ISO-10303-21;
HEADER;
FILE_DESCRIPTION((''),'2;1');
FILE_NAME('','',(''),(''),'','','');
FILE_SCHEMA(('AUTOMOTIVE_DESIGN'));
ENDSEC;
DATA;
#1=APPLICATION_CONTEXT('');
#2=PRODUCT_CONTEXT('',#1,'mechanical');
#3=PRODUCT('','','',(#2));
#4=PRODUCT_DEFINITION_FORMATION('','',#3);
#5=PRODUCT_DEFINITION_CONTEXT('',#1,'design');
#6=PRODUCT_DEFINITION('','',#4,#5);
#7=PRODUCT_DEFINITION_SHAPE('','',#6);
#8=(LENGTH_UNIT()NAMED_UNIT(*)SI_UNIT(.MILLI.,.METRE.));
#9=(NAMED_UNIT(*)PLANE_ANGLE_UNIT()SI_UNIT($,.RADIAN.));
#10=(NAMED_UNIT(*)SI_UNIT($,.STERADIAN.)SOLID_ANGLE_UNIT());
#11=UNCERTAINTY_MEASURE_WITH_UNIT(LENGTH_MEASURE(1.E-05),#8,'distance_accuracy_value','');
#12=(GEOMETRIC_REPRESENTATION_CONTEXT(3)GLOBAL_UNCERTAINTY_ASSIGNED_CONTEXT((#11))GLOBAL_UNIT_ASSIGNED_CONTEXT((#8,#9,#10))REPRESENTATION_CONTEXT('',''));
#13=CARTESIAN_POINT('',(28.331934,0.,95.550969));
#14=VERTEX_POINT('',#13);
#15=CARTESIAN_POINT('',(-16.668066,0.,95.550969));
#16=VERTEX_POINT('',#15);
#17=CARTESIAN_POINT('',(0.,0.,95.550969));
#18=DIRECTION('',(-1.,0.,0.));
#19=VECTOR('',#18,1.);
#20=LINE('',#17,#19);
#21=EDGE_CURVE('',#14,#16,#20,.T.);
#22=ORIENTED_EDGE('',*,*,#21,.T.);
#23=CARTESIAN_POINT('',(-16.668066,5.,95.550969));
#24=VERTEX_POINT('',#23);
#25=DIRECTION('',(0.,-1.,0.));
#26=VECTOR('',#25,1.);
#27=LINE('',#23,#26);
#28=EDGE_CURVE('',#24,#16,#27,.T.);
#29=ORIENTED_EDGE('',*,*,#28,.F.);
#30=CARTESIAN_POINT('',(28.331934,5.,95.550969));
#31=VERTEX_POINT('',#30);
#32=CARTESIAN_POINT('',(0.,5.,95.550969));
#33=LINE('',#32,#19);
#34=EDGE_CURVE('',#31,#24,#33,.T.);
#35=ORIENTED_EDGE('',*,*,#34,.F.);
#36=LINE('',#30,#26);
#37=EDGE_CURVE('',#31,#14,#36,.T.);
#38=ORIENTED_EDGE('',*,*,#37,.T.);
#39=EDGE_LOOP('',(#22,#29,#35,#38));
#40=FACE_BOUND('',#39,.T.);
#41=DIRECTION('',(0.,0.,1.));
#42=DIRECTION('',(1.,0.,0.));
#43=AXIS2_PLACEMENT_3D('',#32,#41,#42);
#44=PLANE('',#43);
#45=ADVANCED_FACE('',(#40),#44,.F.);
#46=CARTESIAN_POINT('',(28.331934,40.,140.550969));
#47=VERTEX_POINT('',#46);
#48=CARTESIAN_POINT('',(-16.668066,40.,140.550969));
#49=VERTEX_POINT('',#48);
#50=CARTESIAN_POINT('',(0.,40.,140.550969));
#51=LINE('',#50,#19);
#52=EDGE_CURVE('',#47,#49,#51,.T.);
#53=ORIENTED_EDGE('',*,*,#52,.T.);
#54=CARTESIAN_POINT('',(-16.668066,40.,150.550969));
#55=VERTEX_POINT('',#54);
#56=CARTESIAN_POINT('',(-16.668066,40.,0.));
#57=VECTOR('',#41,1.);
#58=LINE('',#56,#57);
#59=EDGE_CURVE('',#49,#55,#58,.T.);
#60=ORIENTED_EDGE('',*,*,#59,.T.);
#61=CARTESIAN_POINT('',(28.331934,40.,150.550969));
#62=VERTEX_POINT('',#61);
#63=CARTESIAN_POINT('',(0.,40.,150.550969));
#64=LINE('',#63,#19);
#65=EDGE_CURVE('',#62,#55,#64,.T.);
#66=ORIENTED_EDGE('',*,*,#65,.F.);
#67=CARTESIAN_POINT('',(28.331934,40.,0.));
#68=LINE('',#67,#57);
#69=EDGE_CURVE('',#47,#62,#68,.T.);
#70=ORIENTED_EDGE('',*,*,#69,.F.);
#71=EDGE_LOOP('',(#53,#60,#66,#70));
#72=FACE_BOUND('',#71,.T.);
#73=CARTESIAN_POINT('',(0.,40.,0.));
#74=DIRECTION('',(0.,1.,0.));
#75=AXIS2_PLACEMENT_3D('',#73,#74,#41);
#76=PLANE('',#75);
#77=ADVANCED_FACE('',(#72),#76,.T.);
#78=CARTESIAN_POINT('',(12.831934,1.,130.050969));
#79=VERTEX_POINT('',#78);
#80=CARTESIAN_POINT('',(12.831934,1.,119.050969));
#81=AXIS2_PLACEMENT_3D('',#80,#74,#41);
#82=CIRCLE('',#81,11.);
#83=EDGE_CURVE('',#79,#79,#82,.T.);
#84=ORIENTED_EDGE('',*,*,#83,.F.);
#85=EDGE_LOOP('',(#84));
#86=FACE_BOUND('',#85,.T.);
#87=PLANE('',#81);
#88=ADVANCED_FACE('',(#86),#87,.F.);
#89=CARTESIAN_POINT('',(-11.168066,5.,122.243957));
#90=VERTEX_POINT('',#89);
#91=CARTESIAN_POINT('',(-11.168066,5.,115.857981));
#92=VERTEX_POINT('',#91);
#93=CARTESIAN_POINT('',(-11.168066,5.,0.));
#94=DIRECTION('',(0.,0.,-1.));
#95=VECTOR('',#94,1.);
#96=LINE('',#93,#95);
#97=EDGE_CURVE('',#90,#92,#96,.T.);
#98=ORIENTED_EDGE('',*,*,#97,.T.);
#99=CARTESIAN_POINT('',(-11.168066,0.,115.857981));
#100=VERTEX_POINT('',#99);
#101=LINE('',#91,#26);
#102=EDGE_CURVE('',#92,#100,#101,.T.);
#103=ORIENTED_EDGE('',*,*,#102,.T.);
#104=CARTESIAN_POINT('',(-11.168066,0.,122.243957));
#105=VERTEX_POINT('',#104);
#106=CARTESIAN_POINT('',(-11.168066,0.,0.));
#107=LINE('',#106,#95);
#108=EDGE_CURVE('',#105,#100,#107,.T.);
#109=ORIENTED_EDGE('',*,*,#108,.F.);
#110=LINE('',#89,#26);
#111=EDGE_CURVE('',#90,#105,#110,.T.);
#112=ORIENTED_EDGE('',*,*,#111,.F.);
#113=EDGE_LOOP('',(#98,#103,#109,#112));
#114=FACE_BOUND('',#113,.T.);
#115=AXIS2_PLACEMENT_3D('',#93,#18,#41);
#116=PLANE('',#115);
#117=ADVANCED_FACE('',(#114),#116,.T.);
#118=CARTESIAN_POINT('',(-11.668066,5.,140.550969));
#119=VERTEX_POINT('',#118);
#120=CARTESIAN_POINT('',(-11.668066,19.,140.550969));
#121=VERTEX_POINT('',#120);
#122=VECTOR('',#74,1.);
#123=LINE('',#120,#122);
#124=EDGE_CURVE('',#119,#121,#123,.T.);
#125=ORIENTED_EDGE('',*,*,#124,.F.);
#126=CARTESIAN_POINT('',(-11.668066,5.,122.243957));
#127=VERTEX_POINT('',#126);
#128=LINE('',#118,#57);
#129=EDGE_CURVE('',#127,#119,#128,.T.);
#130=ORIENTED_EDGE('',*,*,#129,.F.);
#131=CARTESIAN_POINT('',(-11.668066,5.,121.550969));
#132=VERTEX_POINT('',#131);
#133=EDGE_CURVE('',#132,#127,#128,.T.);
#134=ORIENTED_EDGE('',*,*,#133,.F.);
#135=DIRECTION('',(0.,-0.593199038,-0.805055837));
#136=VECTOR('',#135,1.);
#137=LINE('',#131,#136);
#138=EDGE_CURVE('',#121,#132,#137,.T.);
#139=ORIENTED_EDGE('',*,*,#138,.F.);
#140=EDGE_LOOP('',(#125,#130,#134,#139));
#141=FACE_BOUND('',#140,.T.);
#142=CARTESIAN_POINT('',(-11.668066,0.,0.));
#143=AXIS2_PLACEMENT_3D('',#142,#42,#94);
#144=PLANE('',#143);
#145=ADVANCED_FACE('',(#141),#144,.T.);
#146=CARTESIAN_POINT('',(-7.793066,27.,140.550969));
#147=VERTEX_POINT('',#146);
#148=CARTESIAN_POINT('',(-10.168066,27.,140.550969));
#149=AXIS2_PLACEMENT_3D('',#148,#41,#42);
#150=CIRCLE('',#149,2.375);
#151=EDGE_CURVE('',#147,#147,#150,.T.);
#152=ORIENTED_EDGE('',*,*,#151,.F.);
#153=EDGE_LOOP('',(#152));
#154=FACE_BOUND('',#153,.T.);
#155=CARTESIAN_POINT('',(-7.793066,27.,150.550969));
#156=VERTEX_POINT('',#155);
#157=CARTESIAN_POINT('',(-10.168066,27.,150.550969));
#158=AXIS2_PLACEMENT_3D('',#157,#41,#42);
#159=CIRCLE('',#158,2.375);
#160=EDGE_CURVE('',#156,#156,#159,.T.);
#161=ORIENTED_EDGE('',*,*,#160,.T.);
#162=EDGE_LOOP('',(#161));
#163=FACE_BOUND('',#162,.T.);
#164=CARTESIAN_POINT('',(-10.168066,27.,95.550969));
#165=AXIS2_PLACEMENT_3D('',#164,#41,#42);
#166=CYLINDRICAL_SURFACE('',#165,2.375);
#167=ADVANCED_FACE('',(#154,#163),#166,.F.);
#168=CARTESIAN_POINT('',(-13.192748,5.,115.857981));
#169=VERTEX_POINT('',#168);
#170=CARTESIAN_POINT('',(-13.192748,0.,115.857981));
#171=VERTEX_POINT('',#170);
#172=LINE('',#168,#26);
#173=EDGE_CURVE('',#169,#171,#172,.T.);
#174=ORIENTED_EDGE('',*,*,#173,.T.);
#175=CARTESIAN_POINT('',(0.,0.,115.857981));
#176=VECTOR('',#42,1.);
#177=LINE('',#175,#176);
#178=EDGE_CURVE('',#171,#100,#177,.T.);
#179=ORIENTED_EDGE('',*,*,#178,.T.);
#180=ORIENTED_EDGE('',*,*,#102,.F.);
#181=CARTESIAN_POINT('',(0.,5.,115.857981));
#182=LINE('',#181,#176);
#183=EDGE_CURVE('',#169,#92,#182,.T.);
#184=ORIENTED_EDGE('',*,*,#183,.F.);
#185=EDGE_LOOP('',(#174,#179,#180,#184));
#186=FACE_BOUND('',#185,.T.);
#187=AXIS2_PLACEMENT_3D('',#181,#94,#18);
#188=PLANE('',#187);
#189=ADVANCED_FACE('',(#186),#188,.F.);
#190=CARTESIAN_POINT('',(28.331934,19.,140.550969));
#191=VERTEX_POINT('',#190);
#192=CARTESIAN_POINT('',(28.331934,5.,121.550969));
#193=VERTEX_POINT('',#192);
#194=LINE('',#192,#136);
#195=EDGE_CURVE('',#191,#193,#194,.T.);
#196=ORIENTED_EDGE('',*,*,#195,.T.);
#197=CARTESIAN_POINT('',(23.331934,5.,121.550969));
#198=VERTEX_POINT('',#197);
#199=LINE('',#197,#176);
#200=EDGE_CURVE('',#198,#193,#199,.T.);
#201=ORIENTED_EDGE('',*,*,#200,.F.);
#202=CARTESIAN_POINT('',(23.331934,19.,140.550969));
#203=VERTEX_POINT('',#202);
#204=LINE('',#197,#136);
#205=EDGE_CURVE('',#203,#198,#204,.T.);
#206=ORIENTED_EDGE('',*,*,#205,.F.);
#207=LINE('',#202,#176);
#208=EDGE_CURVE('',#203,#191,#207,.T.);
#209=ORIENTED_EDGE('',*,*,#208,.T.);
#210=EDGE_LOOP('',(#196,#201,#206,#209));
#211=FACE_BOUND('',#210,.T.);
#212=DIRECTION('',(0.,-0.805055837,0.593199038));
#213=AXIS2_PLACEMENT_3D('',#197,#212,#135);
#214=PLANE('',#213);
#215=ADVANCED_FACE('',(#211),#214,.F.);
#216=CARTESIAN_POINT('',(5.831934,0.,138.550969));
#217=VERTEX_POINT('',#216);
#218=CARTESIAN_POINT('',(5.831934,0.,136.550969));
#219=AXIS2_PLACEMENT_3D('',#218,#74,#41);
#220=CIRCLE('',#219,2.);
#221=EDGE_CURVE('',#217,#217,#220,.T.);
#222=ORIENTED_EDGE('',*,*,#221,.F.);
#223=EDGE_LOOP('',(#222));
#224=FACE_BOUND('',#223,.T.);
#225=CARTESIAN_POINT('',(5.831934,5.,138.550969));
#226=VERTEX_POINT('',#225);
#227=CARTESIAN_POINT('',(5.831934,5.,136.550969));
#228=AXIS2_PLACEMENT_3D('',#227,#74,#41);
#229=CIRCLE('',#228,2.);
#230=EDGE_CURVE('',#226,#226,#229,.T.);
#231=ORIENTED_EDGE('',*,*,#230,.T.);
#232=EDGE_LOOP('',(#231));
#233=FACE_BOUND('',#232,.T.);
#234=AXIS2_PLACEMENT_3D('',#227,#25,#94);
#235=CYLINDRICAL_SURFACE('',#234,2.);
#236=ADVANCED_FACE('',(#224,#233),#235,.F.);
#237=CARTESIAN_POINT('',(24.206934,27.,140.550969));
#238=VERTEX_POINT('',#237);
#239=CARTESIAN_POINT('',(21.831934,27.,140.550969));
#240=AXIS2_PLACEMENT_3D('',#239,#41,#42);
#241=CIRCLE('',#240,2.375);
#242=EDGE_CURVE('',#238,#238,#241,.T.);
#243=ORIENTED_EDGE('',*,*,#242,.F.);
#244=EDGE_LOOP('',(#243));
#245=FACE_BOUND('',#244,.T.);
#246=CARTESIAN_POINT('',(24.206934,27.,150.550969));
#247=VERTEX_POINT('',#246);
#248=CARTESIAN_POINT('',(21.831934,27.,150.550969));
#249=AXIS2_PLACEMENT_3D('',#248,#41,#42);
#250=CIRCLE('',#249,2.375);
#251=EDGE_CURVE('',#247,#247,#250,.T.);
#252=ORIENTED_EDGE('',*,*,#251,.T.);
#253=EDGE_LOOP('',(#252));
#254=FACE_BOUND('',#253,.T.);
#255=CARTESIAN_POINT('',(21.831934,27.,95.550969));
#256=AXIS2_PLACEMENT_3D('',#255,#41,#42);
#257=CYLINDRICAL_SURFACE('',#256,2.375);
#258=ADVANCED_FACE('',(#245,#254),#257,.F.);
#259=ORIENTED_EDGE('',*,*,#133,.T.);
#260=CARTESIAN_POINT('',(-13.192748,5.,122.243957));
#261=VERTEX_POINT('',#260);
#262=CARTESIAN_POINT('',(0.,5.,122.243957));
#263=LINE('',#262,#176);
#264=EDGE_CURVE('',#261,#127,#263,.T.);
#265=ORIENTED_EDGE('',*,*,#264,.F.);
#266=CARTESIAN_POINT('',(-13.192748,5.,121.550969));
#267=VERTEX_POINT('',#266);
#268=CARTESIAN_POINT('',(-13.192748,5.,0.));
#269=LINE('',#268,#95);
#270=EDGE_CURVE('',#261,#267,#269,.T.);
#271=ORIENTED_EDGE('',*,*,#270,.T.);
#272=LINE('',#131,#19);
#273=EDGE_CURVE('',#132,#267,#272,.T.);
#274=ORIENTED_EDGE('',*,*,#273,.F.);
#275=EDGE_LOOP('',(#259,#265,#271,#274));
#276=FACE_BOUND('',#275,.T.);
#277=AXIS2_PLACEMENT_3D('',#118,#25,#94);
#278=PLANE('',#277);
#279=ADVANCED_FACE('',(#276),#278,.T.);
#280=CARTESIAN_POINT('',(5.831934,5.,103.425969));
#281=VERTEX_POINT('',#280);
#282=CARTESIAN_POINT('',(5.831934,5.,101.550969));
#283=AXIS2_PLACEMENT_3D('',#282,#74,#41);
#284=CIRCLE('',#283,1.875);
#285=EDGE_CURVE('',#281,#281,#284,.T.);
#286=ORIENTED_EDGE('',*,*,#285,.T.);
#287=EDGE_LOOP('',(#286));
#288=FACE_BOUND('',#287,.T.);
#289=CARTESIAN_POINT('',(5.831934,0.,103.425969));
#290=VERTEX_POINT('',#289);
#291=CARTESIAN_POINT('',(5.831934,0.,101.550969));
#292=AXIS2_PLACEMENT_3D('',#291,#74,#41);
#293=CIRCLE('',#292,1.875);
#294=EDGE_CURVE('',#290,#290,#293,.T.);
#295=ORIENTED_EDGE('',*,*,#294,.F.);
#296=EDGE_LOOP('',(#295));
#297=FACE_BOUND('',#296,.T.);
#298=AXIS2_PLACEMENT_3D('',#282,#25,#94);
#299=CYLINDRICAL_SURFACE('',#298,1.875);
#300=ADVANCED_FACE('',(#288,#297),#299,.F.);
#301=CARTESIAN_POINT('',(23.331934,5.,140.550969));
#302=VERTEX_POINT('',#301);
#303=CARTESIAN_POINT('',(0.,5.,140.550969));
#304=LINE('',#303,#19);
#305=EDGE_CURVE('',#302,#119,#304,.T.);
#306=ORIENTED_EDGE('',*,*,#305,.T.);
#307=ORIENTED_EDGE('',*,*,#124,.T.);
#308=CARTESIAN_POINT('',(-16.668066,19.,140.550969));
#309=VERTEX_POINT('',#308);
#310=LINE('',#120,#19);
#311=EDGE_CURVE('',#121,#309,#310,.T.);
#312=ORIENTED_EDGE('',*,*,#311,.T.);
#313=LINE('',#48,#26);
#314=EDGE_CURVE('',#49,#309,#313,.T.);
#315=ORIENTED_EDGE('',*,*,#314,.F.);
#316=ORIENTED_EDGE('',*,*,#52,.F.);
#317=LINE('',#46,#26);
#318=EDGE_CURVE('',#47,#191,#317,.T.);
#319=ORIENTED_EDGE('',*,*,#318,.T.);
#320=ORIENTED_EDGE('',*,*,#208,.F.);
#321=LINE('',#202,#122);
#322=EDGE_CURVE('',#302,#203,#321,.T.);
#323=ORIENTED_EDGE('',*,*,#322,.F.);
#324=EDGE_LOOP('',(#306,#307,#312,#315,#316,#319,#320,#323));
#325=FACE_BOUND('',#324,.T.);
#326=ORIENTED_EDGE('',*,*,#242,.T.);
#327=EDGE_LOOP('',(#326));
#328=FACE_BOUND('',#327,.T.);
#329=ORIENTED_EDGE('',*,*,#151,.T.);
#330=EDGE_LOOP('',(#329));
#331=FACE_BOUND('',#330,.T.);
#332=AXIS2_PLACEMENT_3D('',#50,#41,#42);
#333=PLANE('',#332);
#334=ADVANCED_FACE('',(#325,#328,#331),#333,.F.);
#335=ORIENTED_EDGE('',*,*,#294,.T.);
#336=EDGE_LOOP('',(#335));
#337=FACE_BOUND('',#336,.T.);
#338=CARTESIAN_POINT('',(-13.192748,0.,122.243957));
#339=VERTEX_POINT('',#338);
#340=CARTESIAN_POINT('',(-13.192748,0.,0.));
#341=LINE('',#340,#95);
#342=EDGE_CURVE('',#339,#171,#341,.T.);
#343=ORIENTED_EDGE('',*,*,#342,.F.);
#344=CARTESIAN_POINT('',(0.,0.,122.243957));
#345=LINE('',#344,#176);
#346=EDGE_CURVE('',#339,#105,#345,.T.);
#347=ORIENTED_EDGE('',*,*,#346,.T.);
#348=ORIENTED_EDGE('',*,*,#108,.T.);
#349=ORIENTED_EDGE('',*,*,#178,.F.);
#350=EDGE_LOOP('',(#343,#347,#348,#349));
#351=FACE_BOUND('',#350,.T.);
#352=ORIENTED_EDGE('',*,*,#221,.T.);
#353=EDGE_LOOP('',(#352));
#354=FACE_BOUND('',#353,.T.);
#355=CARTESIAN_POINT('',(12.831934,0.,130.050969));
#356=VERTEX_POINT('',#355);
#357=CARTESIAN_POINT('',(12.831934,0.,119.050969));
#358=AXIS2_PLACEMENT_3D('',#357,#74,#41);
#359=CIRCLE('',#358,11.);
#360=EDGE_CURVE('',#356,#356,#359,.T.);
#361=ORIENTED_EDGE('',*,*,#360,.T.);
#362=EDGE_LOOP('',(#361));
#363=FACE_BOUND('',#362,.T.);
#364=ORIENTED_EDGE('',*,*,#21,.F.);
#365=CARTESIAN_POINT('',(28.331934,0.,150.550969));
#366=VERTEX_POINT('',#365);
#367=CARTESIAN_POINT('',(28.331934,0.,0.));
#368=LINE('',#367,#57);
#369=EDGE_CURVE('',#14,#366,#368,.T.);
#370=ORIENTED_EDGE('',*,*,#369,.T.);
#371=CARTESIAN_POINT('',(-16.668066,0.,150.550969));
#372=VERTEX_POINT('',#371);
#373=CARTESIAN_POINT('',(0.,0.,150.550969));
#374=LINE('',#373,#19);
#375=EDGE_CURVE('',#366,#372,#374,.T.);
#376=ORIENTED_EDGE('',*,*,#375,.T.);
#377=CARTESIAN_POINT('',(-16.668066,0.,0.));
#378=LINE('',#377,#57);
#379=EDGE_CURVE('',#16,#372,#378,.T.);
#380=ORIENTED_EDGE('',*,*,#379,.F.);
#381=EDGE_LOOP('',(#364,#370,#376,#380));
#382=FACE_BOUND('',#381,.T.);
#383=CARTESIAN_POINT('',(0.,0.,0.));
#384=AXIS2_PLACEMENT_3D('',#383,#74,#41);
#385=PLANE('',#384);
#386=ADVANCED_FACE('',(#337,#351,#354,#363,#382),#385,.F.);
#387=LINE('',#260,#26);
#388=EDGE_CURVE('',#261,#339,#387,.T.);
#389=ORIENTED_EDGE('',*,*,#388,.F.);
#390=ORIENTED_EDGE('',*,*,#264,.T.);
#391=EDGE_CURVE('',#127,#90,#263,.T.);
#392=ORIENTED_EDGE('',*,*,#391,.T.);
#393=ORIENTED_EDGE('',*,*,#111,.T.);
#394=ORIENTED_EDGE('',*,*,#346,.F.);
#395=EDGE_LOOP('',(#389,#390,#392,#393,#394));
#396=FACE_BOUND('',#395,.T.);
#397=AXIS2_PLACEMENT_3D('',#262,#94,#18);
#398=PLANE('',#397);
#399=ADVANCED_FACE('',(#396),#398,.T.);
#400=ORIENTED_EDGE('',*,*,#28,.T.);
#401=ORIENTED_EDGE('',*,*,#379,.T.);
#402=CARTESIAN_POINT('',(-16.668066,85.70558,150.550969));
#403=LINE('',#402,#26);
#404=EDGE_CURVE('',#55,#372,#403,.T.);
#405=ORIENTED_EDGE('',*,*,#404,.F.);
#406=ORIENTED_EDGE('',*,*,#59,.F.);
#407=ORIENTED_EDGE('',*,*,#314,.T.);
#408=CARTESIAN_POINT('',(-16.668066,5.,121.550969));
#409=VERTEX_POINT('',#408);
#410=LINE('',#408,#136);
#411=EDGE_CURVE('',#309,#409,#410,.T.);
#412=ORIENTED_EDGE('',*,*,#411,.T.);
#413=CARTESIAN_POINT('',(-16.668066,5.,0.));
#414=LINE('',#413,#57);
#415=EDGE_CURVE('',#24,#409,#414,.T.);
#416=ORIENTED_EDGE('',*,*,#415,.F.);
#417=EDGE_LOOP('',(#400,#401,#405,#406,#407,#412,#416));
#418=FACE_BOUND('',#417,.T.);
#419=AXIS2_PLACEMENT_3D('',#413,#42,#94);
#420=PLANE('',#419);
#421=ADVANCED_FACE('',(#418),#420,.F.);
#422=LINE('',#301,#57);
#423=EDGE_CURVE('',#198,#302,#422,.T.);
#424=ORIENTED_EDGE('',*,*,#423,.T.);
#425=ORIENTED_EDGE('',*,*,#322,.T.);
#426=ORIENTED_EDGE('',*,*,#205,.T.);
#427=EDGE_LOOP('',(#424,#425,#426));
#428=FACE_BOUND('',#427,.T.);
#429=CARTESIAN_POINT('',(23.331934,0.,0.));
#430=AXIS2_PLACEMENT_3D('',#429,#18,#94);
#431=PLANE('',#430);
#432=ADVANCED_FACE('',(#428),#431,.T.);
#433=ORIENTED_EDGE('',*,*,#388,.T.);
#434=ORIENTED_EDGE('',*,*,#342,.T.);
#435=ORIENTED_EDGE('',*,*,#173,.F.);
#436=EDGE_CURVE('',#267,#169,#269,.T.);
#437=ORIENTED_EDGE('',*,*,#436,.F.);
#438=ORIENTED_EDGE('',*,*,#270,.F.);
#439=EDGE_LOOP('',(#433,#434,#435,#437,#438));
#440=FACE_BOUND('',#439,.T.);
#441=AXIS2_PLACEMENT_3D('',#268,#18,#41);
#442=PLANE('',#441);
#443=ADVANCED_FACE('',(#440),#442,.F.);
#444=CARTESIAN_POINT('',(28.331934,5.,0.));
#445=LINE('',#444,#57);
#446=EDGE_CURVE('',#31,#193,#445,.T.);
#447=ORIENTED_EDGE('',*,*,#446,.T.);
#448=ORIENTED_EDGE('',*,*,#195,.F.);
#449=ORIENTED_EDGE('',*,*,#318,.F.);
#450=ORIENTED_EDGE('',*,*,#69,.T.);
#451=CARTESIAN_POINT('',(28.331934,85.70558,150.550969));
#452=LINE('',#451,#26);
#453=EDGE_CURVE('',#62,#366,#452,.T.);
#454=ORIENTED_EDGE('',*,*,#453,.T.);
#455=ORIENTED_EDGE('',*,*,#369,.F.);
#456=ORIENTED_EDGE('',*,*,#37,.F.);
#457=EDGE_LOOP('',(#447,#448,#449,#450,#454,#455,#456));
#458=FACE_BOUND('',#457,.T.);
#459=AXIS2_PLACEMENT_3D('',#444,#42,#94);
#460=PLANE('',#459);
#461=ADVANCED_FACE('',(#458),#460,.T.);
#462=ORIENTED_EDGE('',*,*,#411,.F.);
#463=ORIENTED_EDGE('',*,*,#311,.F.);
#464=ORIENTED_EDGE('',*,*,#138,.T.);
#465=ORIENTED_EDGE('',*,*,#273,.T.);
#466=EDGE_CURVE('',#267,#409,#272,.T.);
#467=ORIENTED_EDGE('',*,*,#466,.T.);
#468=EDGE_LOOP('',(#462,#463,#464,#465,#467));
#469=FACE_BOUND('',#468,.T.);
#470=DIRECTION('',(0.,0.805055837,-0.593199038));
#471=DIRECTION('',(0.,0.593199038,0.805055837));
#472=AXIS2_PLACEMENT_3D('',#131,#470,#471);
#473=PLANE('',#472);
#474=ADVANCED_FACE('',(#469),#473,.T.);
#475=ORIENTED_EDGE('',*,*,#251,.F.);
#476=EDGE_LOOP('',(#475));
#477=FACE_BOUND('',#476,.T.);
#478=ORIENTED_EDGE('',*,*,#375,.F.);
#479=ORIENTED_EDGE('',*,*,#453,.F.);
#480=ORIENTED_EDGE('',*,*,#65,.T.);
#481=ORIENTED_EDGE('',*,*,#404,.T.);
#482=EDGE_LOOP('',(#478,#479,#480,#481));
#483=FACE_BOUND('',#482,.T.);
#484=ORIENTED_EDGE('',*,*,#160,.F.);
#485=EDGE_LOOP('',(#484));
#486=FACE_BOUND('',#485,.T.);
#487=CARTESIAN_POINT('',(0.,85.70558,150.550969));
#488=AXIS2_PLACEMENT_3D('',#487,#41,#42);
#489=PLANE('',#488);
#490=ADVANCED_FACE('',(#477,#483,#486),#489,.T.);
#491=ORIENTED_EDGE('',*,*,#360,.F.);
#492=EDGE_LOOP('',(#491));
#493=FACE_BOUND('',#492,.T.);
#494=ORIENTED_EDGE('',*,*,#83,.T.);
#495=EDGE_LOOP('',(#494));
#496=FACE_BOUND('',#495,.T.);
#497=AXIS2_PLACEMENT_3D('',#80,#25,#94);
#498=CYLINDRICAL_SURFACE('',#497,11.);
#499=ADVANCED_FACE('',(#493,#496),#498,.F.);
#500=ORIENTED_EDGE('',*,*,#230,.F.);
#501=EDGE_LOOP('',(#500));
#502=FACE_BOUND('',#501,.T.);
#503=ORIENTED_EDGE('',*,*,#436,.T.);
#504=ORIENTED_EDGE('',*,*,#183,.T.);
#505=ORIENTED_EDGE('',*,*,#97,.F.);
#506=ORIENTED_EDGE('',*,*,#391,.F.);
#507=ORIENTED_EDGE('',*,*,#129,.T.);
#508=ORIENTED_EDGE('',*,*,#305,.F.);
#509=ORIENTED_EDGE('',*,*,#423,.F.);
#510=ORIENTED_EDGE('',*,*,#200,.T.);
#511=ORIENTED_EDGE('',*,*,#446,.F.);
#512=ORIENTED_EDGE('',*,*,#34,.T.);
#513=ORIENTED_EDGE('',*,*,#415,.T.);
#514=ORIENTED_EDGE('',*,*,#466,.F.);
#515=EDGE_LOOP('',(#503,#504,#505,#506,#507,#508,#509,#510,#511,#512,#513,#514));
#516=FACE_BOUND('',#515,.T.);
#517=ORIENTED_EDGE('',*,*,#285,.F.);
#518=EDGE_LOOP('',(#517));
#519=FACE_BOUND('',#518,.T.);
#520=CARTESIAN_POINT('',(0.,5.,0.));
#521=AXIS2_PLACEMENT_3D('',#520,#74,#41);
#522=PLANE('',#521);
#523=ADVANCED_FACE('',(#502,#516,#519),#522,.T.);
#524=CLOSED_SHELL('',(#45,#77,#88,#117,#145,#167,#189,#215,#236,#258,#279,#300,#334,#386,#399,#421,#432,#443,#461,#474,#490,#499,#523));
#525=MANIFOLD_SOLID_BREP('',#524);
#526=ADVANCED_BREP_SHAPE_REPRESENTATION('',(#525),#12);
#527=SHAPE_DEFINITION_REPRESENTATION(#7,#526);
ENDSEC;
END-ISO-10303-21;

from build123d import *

# Parameters (mm, degrees)
SKETCH7_W                = 45
SKETCH7_H                = 45
SKETCH7_W_2              = 2.024682368
SKETCH7_H_2              = 6.385975888
SKETCH7_R                = 2
SKETCH7_R_2              = 1.875
BOSS_EXTRUDE5_DEPTH      = 5
SKETCH7_3_W              = 45
SKETCH7_3_H              = 2
BOSS_EXTRUDE6_DEPTH      = 40
BOSS_EXTRUDE7_DEPTH      = 5
SKETCH7_4_W              = 45
SKETCH7_4_H              = 8
BOSS_EXTRUDE8_DEPTH      = 40
SKETCH11_R               = 2.375
CUT_EXTRUDE16_DEPTH      = 1
CUT_EXTRUDE16_DEPTH_BACK = 56
SKETCH7_14_R             = 11
CUT_EXTRUDE17_DEPTH      = 1


with BuildPart() as part:
    # Sketch7 → Boss-Extrude5 (new body)
    with BuildSketch(Plane(origin=(0, 0, 0), x_dir=(1, 0, 0), z_dir=(0, 1, 0))):
        with Locations((5.831933892, -118.050969126)):
            Rectangle(SKETCH7_W, SKETCH7_H)
        with Locations((-12.180407292, -119.050969126)):
            Rectangle(SKETCH7_W_2, SKETCH7_H_2, mode=Mode.SUBTRACT)
        with Locations((5.831933892, -136.550969126)):
            Circle(SKETCH7_R, mode=Mode.SUBTRACT)
        with Locations((5.831933892, -101.550969126)):
            Circle(SKETCH7_R_2, mode=Mode.SUBTRACT)
    extrude(amount=BOSS_EXTRUDE5_DEPTH)

    # Sketch7_3 → Boss-Extrude6 (add)
    with BuildSketch(Plane(origin=(0, 0, 0), x_dir=(1, 0, 0), z_dir=(0, 1, 0))):
        with Locations((5.831933892, -141.550969126)):
            Rectangle(SKETCH7_3_W, SKETCH7_3_H)
    extrude(amount=BOSS_EXTRUDE6_DEPTH)

    # Sketch8 → Boss-Extrude7 (add)
    with BuildSketch(Plane.ZY.offset(16.668066108)):
        Polygon((140.550969126, 11), (140.550969126, 5), (121.550969126, 5), (140.550969126, 19), align=None)
    boss_extrude7 = extrude(amount=-BOSS_EXTRUDE7_DEPTH)

    # Mirror2: Boss-Extrude7 across plane
    add(boss_extrude7.mirror(Plane.ZY.offset(-5.831933892)))

    # Sketch7_4 → Boss-Extrude8 (add)
    with BuildSketch(Plane(origin=(0, 0, 0), x_dir=(1, 0, 0), z_dir=(0, 1, 0))):
        with Locations((5.831933892, -146.550969126)):
            Rectangle(SKETCH7_4_W, SKETCH7_4_H)
    extrude(amount=BOSS_EXTRUDE8_DEPTH)

    # Sketch11 → Cut-Extrude16 (cut, two sides)
    with BuildSketch(Plane.XY.offset(150.550969126)) as cut_extrude16_sk:
        with Locations((-10.168066108, 27)):
            Circle(SKETCH11_R)
        with Locations((21.831933892, 27)):
            Circle(SKETCH11_R)
    extrude(amount=CUT_EXTRUDE16_DEPTH, mode=Mode.SUBTRACT)
    extrude(cut_extrude16_sk.sketch, amount=-CUT_EXTRUDE16_DEPTH_BACK, mode=Mode.SUBTRACT)

    # Sketch7_14 → Cut-Extrude17 (cut)
    with BuildSketch(Plane(origin=(0, 0, 0), x_dir=(1, 0, 0), z_dir=(0, 1, 0))):
        with Locations((12.831933892, -119.050969126)):
            Circle(SKETCH7_14_R)
    extrude(amount=CUT_EXTRUDE17_DEPTH, mode=Mode.SUBTRACT)


solid = part.part
